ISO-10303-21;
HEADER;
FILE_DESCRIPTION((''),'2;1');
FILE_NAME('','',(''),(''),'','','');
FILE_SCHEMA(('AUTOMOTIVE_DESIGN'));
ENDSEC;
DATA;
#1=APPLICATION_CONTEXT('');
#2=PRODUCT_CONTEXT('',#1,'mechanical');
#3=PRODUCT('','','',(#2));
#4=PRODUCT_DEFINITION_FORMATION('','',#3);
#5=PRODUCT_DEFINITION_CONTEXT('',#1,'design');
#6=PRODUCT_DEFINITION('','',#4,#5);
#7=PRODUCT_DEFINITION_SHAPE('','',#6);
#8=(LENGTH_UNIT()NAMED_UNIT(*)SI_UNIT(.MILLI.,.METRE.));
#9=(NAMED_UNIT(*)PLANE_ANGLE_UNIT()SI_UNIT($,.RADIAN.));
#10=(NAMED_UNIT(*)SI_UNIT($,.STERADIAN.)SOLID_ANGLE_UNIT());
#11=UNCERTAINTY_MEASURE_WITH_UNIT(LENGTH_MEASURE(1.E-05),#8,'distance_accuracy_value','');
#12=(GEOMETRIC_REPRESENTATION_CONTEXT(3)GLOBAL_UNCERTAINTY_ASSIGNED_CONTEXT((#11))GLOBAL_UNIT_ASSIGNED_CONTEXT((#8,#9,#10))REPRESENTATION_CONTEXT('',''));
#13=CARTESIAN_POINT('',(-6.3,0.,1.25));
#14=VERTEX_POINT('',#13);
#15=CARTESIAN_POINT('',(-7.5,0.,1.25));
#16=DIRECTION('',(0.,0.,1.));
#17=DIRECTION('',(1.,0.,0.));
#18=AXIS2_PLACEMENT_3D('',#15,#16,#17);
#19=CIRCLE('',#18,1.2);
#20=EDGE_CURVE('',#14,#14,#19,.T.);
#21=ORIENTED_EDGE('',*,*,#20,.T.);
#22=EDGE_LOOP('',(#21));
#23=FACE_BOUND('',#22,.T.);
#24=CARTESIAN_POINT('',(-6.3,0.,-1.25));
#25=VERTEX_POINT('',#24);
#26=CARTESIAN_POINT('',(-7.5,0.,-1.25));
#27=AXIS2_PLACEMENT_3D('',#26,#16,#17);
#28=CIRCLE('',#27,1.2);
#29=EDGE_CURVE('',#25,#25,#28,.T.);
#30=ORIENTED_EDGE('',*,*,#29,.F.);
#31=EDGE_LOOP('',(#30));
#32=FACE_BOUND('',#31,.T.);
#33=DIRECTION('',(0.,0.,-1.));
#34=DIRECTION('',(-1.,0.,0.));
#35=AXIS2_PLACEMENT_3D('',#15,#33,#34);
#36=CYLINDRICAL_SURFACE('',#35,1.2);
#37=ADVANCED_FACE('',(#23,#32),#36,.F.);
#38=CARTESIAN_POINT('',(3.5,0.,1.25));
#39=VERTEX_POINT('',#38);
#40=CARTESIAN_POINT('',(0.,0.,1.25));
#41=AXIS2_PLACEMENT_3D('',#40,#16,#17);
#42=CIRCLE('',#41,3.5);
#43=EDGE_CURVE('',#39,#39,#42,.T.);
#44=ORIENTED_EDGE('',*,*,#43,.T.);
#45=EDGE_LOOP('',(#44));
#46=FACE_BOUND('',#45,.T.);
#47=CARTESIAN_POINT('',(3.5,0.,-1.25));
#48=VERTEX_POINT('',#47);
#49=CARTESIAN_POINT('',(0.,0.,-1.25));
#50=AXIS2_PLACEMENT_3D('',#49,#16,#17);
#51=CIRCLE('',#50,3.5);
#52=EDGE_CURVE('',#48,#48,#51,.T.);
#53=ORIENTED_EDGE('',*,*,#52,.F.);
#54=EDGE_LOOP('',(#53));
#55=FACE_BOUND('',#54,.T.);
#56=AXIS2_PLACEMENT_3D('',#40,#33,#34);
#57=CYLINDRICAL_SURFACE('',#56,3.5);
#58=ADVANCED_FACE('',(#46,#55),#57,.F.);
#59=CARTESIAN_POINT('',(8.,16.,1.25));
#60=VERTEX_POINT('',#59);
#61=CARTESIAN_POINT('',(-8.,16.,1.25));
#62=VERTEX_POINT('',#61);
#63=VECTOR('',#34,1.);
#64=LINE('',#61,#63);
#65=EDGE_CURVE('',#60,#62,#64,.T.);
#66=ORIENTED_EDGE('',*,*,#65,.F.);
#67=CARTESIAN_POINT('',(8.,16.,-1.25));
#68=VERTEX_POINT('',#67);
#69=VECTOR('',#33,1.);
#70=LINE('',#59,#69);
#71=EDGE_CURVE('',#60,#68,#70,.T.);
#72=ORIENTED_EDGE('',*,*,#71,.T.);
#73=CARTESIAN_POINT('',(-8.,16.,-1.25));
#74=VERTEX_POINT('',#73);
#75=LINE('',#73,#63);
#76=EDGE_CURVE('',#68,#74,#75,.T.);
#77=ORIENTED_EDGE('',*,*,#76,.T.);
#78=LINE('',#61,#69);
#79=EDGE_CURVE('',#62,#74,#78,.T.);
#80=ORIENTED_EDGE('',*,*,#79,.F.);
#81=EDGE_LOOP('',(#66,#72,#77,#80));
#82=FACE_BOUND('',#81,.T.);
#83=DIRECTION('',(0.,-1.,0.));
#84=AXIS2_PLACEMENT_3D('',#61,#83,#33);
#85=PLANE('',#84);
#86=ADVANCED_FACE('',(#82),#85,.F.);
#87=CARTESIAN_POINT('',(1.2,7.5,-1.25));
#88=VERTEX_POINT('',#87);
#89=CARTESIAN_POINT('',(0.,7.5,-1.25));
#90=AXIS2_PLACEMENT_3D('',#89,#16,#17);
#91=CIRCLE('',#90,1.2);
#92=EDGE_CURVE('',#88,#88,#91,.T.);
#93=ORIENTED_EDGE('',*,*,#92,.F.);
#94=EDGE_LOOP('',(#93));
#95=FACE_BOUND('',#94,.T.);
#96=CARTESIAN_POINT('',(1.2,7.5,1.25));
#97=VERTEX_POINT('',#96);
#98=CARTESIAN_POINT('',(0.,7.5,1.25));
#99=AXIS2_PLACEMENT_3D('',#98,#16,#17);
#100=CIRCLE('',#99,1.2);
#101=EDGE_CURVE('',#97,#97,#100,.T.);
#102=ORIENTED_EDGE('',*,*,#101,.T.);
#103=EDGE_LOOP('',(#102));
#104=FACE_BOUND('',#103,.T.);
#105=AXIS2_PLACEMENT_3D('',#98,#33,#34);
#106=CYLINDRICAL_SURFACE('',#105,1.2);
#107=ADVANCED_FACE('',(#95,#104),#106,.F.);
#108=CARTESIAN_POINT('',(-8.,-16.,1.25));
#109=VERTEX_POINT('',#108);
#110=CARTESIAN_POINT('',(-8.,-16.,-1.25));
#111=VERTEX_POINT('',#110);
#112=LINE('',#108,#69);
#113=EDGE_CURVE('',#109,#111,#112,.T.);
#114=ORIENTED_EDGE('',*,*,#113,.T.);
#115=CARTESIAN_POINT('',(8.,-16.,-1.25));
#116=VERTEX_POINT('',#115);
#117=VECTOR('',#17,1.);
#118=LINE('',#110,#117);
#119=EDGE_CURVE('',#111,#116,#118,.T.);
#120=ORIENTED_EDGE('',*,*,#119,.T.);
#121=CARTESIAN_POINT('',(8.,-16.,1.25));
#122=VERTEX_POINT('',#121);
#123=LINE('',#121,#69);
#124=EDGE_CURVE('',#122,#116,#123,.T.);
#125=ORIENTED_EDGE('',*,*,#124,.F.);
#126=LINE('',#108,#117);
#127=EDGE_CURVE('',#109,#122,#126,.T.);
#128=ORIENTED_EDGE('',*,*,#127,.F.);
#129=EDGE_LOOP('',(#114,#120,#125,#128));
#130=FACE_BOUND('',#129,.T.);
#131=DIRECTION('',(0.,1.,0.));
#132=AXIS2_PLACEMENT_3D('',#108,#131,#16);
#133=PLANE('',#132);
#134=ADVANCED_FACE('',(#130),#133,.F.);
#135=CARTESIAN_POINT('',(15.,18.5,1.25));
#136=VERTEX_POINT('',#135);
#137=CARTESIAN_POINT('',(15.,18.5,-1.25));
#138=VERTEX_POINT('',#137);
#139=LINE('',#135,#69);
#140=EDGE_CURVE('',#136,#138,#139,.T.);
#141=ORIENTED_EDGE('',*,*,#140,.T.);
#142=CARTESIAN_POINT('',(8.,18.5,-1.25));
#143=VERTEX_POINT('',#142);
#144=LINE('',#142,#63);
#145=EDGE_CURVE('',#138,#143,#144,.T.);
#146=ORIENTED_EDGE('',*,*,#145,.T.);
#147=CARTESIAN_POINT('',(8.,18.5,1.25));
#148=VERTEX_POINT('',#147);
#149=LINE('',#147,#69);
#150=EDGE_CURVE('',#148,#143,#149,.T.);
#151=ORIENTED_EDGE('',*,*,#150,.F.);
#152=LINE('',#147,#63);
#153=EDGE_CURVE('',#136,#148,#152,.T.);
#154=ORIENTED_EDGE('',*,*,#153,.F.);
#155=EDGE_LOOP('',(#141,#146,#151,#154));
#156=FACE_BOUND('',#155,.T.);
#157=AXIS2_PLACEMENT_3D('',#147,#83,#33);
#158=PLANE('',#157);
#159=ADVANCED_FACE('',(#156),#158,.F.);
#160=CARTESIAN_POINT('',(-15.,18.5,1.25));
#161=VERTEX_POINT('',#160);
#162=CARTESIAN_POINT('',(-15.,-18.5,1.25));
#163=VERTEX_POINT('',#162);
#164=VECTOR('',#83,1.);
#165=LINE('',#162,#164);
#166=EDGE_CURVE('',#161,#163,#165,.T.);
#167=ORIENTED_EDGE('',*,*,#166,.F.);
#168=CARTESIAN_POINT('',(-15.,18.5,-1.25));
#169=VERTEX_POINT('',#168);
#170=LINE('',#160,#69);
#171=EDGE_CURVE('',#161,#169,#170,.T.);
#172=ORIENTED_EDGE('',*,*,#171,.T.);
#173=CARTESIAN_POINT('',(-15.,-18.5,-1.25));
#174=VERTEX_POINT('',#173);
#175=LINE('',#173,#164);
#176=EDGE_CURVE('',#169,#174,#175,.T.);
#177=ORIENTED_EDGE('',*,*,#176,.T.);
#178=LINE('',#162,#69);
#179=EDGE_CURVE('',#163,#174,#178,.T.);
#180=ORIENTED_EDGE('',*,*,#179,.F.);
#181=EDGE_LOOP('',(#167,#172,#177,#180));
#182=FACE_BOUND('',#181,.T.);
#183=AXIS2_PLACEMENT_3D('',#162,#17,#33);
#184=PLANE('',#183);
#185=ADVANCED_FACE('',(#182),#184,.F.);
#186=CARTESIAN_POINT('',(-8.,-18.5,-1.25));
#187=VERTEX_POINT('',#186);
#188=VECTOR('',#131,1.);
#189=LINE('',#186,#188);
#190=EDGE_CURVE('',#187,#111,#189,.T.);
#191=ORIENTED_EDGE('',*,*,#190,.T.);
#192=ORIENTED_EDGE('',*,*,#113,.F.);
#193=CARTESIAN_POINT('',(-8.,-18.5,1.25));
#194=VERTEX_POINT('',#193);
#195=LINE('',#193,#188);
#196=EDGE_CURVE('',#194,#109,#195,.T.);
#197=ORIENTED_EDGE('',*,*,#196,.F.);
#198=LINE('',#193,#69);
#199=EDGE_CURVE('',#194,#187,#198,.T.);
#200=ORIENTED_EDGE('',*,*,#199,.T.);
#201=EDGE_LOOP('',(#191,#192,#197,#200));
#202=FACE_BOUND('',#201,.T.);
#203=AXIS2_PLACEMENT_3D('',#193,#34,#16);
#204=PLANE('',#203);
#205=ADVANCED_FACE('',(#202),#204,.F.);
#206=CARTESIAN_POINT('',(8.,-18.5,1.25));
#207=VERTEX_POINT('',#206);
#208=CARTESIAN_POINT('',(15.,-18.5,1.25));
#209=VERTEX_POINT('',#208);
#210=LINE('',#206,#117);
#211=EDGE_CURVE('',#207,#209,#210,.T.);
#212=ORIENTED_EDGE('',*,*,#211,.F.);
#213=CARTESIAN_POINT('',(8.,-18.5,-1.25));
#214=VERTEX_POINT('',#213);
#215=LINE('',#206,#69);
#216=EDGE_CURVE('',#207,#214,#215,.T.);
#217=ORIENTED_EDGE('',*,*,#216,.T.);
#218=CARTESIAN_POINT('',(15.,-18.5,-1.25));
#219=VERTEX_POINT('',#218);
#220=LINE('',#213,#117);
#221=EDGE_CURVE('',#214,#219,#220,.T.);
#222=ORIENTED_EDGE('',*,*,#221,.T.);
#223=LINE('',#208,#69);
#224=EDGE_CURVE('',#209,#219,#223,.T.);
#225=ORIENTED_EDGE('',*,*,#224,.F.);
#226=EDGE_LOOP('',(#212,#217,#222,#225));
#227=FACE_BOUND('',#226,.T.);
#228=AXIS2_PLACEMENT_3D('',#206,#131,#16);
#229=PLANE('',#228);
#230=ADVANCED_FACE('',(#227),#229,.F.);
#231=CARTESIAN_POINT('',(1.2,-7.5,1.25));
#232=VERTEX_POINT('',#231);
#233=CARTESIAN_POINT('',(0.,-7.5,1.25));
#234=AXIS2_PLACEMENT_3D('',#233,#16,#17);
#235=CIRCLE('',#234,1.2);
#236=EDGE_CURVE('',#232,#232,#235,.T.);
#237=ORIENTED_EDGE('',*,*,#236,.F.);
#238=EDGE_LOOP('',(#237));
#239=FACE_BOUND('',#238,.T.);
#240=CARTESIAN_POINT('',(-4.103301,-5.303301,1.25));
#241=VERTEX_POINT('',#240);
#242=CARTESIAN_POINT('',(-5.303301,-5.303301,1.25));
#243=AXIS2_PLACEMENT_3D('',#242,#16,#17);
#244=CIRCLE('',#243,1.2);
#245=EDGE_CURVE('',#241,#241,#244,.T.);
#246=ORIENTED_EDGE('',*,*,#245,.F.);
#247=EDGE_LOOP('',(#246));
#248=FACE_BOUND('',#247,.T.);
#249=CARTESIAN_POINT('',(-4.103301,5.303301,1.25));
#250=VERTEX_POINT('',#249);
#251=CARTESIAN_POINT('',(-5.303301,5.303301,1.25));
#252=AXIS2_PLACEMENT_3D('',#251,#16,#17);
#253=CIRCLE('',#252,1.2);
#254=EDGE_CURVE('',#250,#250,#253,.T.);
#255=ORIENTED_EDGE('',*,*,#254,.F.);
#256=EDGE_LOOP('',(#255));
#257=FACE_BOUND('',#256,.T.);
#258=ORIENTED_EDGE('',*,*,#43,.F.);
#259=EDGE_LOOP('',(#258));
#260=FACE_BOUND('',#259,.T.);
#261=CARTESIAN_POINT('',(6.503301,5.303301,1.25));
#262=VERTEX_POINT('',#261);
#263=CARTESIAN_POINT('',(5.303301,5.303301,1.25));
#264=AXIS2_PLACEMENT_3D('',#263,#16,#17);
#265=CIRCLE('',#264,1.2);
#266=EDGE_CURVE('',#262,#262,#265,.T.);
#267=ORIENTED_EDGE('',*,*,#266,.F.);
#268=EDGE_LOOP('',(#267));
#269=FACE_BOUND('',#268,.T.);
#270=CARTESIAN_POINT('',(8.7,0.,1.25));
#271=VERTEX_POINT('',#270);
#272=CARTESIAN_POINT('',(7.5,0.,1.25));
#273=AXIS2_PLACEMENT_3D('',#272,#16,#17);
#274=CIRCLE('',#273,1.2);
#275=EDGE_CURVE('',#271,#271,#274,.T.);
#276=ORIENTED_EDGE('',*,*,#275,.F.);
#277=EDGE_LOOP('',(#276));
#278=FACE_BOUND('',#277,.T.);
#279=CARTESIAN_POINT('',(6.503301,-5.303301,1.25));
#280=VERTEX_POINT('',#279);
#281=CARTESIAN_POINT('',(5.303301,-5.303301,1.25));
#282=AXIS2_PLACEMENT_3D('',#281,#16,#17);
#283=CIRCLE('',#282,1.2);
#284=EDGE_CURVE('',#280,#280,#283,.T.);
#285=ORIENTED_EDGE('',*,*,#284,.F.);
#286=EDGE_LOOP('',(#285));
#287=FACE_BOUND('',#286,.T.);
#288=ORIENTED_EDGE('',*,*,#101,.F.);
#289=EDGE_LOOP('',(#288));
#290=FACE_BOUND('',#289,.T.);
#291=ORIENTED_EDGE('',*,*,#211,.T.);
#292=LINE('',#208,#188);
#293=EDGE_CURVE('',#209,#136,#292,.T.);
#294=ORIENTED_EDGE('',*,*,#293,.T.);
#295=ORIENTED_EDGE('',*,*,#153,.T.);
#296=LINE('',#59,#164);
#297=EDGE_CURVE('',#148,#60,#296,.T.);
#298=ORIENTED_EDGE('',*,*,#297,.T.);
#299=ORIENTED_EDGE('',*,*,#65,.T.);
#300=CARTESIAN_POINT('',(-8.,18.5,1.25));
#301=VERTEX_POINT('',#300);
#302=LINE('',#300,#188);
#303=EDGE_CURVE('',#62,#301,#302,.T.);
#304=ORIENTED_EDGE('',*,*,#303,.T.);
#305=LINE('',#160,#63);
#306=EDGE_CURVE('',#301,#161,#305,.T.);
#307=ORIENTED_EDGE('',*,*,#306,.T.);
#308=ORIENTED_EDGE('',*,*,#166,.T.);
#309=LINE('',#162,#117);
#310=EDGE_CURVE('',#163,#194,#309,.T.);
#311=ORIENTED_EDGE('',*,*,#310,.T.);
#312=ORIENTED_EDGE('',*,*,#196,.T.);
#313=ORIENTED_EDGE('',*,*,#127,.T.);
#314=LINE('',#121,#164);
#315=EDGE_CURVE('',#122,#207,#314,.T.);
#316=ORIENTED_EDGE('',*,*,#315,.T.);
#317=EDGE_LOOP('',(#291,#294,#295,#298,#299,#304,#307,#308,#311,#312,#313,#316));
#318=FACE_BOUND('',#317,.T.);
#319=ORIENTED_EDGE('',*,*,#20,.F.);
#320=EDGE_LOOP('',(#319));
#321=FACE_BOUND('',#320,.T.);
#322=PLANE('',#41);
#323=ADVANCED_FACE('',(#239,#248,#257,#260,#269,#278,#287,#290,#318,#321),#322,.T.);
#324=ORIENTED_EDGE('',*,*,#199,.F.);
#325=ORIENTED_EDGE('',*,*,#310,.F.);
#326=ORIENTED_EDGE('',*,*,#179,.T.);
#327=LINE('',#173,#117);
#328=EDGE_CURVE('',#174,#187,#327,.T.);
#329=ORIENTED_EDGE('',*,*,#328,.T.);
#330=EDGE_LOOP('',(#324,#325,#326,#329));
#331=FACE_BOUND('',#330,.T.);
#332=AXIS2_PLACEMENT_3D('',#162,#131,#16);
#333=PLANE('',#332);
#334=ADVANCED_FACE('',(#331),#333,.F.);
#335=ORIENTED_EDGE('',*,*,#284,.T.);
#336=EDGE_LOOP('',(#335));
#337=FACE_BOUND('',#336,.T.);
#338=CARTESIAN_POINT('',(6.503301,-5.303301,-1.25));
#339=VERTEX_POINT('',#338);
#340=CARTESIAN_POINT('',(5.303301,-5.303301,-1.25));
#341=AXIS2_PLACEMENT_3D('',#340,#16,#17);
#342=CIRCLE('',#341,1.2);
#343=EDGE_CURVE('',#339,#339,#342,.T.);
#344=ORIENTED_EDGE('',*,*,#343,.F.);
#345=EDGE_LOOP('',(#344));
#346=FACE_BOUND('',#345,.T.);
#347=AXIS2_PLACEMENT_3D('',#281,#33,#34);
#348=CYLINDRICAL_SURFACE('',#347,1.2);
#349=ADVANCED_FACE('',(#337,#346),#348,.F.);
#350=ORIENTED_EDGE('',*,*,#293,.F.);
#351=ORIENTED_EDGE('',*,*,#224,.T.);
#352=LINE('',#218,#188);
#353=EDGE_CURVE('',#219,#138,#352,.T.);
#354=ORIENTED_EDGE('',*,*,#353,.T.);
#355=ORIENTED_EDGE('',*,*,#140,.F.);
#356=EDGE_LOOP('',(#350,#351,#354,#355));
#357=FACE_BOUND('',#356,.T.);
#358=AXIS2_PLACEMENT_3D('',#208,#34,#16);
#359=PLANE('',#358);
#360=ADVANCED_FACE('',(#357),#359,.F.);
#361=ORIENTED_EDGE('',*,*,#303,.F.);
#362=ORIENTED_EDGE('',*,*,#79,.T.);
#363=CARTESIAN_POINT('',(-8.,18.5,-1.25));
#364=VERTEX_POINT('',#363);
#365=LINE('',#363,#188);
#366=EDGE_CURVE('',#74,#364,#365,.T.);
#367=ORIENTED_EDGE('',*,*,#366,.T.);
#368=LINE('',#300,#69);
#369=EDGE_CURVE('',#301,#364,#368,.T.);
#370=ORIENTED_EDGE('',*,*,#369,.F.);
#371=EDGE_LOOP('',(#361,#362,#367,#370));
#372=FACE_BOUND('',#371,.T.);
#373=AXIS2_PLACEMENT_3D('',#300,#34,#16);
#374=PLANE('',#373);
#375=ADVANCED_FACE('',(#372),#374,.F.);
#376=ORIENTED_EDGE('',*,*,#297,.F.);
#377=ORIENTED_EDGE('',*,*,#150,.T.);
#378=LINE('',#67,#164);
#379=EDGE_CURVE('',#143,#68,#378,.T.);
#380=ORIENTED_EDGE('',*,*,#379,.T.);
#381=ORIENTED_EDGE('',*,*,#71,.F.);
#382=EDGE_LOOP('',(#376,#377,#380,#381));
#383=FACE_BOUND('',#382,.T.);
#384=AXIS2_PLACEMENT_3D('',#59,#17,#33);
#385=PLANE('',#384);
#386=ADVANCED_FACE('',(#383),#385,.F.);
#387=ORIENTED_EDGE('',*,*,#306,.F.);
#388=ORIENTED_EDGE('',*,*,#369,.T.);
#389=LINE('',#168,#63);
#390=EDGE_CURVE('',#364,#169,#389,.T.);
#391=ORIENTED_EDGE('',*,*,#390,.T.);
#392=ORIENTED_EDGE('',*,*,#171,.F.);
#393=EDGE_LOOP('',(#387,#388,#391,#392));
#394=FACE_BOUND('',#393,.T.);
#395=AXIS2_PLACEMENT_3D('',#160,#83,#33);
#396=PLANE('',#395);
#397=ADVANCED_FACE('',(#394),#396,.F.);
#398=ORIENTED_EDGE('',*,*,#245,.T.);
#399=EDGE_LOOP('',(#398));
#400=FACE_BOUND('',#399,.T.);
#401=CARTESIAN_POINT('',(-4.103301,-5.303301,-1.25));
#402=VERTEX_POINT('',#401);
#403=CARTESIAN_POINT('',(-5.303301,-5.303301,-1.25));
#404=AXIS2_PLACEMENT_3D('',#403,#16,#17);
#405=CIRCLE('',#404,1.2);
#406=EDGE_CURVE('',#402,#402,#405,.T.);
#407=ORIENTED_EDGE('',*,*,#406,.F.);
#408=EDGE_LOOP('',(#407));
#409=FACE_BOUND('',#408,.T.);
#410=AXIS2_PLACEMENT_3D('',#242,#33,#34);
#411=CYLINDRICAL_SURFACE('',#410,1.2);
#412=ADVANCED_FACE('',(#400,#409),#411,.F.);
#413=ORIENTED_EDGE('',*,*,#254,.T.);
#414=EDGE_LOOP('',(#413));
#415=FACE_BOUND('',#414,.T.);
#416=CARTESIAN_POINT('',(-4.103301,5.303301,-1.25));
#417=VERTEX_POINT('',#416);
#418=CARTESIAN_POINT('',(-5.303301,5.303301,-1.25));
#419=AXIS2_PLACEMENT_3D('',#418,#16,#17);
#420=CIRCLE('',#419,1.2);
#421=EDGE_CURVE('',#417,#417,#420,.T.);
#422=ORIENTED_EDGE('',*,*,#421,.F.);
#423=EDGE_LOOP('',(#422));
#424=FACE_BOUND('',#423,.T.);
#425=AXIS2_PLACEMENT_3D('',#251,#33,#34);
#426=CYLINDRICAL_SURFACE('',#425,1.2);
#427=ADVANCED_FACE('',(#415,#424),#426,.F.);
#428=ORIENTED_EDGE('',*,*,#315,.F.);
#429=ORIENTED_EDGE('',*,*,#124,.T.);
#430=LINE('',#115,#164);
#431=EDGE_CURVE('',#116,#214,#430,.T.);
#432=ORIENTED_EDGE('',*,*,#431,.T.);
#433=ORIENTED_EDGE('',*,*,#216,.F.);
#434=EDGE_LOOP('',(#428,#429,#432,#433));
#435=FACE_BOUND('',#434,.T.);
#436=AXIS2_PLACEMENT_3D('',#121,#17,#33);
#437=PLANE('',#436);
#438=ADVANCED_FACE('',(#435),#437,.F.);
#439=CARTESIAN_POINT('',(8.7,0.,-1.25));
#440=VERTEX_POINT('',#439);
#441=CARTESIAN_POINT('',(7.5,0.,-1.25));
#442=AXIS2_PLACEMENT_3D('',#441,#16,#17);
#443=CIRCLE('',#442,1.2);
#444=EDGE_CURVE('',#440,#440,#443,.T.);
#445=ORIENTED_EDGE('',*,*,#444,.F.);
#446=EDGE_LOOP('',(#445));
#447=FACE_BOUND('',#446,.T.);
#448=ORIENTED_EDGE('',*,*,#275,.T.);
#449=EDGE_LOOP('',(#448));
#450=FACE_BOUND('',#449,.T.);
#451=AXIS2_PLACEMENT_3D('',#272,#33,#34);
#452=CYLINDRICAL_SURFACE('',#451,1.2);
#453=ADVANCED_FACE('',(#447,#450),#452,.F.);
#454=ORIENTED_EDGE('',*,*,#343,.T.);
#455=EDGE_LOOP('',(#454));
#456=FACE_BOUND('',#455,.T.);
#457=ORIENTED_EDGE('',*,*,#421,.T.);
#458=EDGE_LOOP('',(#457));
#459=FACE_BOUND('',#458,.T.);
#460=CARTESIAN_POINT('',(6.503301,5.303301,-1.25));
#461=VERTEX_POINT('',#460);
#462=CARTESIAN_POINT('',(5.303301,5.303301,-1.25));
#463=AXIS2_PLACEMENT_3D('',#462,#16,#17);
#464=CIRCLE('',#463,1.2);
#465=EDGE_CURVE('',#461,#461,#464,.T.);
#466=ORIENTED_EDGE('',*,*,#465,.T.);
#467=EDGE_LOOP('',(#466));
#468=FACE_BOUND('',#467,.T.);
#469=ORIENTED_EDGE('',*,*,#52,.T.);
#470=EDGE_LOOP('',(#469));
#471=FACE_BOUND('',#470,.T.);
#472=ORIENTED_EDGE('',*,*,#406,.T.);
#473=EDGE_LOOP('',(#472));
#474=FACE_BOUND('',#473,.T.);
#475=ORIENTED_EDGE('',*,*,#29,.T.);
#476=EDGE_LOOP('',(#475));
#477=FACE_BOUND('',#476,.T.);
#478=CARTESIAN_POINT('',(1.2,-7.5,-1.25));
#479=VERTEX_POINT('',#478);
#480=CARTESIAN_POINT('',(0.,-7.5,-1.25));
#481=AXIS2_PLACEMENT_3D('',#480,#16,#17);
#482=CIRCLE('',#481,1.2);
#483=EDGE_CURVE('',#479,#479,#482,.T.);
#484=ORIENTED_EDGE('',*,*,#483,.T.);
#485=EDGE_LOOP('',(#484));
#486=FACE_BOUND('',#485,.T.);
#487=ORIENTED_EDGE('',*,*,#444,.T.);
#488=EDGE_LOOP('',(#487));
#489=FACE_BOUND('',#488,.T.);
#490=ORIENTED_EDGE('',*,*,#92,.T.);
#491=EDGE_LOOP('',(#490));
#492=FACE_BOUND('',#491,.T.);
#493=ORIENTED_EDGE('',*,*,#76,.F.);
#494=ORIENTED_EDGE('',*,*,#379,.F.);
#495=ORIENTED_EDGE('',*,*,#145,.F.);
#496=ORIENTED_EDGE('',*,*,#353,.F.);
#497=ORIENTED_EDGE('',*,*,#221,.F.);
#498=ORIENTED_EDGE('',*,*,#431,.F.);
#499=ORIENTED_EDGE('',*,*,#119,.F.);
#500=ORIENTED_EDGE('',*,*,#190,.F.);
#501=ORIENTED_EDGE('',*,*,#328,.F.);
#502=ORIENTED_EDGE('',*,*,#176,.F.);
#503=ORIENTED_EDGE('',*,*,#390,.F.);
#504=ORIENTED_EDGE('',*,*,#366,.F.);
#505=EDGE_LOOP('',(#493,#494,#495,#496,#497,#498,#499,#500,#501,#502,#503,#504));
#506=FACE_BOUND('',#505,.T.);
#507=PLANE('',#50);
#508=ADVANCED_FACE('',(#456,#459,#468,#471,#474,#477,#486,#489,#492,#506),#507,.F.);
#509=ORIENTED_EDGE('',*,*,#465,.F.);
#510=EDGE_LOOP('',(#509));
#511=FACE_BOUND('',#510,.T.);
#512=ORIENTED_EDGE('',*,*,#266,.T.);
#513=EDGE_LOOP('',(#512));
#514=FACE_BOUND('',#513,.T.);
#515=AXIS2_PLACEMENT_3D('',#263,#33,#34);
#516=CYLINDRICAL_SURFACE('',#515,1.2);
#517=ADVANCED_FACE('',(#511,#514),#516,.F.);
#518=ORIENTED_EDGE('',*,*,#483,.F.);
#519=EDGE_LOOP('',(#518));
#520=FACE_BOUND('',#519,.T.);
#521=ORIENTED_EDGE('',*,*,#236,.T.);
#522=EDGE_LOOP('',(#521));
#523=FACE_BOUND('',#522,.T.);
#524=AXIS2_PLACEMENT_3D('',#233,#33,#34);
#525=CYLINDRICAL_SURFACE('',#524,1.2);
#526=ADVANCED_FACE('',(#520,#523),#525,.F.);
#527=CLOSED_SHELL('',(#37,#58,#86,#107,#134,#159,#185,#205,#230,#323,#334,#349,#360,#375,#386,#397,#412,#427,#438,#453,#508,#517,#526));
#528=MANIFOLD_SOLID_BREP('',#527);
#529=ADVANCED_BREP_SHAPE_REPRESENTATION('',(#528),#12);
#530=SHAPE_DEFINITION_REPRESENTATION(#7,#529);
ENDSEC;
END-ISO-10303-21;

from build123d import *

# Parameters (mm, degrees)
CROQUIS1_R              = 3.5
CROQUIS1_R_2            = 1.2
SALIENTE_EXTRUIR1_DEPTH = 1.25


with BuildPart() as part:
    # Croquis1 → Saliente-Extruir1 (new body, symmetric)
    with BuildSketch(Plane.XY):
        Polygon((-15, 18.5), (-8, 18.5), (-8, 16), (8, 16), (8, 18.5), (15, 18.5), (15, -18.5), (8, -18.5), (8, -16), (-8, -16), (-8, -18.5), (-15, -18.5), align=None)
        Circle(CROQUIS1_R, mode=Mode.SUBTRACT)
        with Locations((0, 7.5)):
            Circle(CROQUIS1_R_2, mode=Mode.SUBTRACT)
        with Locations((5.303300859, 5.303300859)):
            Circle(CROQUIS1_R_2, mode=Mode.SUBTRACT)
        with Locations((7.5, 0)):
            Circle(CROQUIS1_R_2, mode=Mode.SUBTRACT)
        with Locations((5.303300859, -5.303300859)):
            Circle(CROQUIS1_R_2, mode=Mode.SUBTRACT)
        with Locations((0, -7.5)):
            Circle(CROQUIS1_R_2, mode=Mode.SUBTRACT)
        with Locations((-5.303300859, -5.303300859)):
            Circle(CROQUIS1_R_2, mode=Mode.SUBTRACT)
        with Locations((-7.5, 0)):
            Circle(CROQUIS1_R_2, mode=Mode.SUBTRACT)
        with Locations((-5.303300859, 5.303300859)):
            Circle(CROQUIS1_R_2, mode=Mode.SUBTRACT)
    extrude(amount=SALIENTE_EXTRUIR1_DEPTH, both=True)


solid = part.part
